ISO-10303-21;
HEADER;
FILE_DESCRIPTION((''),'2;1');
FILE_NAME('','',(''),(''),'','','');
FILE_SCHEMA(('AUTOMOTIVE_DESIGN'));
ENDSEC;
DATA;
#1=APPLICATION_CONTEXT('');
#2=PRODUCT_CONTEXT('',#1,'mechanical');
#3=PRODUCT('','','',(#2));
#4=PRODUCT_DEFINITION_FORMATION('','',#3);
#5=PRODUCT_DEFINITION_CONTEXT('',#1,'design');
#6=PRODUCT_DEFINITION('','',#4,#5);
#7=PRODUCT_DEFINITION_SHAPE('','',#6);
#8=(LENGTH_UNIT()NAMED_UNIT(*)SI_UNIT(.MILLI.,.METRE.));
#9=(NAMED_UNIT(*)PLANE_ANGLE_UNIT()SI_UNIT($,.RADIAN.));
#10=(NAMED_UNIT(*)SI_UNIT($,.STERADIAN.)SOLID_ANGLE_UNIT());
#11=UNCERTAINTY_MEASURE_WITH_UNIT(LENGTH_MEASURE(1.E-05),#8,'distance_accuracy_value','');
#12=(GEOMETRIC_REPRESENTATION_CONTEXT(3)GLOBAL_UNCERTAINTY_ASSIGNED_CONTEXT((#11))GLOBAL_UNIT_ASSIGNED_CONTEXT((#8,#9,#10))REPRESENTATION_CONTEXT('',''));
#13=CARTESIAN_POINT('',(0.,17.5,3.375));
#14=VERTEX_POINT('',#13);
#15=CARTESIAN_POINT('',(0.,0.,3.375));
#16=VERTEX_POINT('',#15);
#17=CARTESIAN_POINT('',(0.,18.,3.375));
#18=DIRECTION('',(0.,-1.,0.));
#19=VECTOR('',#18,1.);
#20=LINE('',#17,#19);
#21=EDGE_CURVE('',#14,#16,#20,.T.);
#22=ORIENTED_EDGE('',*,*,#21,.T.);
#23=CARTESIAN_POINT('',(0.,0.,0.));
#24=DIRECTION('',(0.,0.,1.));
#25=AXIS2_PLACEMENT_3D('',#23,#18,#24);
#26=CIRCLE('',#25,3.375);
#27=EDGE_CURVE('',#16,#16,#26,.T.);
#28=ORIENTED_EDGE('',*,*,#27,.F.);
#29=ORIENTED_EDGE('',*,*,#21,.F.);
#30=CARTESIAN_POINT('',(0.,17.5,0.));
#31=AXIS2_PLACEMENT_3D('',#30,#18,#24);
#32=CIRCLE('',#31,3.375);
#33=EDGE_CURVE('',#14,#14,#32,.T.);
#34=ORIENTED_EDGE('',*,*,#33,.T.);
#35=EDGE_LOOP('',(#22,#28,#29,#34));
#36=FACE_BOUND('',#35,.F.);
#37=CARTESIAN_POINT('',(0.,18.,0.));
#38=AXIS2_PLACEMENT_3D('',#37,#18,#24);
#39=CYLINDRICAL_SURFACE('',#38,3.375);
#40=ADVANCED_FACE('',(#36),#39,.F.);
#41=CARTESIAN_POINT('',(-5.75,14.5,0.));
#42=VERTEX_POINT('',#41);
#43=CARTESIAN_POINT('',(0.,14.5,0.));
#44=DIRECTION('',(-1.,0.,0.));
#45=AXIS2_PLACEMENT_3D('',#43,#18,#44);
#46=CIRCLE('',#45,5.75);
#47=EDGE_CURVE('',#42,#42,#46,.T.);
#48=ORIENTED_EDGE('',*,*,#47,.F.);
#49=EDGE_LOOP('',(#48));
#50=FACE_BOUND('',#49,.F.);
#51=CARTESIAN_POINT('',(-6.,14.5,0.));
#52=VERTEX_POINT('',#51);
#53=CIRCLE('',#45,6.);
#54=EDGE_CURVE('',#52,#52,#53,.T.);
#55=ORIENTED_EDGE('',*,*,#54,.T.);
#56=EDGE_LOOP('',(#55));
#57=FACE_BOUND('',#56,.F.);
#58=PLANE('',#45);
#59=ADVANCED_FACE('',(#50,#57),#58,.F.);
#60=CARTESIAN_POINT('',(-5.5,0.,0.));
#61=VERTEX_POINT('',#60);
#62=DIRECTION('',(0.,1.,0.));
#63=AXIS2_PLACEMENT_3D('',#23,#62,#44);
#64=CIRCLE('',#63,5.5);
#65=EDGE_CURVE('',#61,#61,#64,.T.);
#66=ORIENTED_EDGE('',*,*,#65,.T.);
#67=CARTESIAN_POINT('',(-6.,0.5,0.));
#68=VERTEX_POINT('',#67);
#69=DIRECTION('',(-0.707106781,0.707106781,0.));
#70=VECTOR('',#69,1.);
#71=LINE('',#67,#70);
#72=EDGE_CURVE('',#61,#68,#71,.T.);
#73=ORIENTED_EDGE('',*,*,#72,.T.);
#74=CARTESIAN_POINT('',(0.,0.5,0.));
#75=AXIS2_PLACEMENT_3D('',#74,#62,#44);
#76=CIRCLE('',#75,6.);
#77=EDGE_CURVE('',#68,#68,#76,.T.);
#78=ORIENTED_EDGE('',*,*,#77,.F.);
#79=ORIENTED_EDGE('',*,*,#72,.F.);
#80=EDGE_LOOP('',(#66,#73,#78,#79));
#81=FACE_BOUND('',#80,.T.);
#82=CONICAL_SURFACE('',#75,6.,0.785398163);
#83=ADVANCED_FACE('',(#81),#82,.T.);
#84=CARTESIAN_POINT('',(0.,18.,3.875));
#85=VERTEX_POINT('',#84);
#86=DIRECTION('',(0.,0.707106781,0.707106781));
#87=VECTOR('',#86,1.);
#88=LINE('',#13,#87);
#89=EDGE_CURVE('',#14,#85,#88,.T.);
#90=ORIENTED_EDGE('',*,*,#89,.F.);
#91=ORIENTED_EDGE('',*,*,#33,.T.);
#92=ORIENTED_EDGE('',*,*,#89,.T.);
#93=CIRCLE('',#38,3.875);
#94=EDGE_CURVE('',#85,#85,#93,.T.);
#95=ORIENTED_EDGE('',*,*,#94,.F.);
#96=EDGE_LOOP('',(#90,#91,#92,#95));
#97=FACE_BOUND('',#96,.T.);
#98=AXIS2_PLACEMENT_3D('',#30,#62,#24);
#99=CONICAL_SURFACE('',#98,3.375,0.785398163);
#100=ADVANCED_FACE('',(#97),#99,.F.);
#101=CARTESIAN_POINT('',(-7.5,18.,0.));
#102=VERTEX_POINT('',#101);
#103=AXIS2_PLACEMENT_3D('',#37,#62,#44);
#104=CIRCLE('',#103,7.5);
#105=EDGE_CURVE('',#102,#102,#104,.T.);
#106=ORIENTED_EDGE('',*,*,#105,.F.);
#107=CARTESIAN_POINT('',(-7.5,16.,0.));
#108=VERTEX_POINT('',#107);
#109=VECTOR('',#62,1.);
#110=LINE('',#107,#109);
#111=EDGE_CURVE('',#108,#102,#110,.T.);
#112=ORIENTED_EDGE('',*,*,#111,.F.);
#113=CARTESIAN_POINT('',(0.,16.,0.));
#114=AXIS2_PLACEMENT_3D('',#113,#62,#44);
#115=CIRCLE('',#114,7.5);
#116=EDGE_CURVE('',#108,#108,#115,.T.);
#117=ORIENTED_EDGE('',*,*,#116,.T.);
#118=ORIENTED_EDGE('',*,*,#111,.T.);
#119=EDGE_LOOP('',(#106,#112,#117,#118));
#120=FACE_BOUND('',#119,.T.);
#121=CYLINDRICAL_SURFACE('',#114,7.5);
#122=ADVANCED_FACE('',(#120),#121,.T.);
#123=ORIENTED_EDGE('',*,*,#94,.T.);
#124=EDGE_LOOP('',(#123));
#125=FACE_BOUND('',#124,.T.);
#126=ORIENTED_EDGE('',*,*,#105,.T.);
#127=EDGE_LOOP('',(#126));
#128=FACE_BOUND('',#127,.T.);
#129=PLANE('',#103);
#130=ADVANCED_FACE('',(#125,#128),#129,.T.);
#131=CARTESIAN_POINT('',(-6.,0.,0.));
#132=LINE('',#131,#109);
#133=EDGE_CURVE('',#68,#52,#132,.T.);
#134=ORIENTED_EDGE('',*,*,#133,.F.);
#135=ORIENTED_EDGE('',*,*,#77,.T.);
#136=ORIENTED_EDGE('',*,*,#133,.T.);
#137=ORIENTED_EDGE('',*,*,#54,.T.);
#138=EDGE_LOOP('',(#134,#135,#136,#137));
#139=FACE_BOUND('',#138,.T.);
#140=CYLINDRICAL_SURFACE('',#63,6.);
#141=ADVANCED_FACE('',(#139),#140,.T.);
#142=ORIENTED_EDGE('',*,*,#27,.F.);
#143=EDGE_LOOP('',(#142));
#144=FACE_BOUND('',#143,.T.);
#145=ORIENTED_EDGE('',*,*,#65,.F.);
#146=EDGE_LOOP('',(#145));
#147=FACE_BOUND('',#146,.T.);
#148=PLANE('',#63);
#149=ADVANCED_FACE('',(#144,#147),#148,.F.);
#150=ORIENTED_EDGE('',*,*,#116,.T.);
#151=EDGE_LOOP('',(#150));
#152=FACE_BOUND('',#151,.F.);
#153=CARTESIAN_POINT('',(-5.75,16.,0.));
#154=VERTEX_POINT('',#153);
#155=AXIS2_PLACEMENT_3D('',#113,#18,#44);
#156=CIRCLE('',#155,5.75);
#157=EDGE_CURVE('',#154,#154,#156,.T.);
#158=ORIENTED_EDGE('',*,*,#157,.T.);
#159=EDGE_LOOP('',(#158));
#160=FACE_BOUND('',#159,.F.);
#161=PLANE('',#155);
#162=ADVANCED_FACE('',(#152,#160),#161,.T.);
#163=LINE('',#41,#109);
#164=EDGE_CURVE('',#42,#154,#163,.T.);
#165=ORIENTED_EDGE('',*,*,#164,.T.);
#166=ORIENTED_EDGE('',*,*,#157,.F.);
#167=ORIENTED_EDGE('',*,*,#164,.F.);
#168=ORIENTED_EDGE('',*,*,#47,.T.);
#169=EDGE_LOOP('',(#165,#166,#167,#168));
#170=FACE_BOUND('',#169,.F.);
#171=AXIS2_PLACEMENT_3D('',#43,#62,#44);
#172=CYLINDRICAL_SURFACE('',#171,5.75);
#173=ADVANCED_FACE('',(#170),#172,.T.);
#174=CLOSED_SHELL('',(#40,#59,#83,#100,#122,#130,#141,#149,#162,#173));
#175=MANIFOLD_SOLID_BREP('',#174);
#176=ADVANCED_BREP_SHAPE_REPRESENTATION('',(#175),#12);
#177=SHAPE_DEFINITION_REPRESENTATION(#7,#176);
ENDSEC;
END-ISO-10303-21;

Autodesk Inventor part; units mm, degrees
ref_plane "YZ Plane" through (0, 0, 0) normal (1, 0, 0) x (0, 1, 0)
ref_plane "XZ Plane" through (0, 0, 0) normal (0, 1, 0) x (-1, 0, 0)
ref_plane "XY Plane" through (0, 0, 0) normal (0, 0, 1) x (1, 0, 0)
sketch "Sketch1" plane through (0, 0, 0) normal (0, 0, 1) x (1, 0, 0)
  line L0 (0, 0) -> (0, 18)
  line L1 (0, 0) -> (-6, 0)
  line L2 (-6, 0) -> (-6, 16)
  line L3 (-6, 16) -> (-7.5, 16)
  line L4 (-7.5, 16) -> (-7.5, 18)
  line L5 (-7.5, 18) -> (0, 18)
  dimension "d0" = 18
  dimension "d1" = 15
  dimension "d2" = 12
  dimension "d3" = 2
revolve "Revolution1" add sketch "Sketch1" angle 360 about axis through (0, 0, 0) along (0, 1, 0)
sketch "Sketch2" plane through (0, 0, 0) normal (0, 0, 1) x (1, 0, 0)
  line L0 (7.5, 16) -> (-7.5, 16) projected
  line L1 (-6, 0) -> (-6, 16) projected
  line L2 (-6, 14.5) -> (-5.75, 14.5)
  line L3 (-5.75, 14.5) -> (-5.75, 16)
  line L4 (0, 16) -> (0, 9.2067)
  point P0 (0, 0)
  dimension "d5" = 11.5
  dimension "d6" = 1.5
revolve "Revolution2" cut sketch "Sketch2" angle 360 about axis through (0, 16, 0) along (0, -1, 0)
sketch "Sketch3" plane through (0, 18, 0) normal (0, 1, 0) x (1, 0, 0)
  circle A0 centre (0, 0) radius 7.5 projected
hole "d6.75" at (0, 18, 0) direction (0, -1, 0) diameter 6.75 end through all
chamfer "0.5x45" distance 0.5 angle 45 2 edges at (0, 18, -3.375) (6, 0, 0)
properties part number "s14-13" material "Steel, Carbon"
